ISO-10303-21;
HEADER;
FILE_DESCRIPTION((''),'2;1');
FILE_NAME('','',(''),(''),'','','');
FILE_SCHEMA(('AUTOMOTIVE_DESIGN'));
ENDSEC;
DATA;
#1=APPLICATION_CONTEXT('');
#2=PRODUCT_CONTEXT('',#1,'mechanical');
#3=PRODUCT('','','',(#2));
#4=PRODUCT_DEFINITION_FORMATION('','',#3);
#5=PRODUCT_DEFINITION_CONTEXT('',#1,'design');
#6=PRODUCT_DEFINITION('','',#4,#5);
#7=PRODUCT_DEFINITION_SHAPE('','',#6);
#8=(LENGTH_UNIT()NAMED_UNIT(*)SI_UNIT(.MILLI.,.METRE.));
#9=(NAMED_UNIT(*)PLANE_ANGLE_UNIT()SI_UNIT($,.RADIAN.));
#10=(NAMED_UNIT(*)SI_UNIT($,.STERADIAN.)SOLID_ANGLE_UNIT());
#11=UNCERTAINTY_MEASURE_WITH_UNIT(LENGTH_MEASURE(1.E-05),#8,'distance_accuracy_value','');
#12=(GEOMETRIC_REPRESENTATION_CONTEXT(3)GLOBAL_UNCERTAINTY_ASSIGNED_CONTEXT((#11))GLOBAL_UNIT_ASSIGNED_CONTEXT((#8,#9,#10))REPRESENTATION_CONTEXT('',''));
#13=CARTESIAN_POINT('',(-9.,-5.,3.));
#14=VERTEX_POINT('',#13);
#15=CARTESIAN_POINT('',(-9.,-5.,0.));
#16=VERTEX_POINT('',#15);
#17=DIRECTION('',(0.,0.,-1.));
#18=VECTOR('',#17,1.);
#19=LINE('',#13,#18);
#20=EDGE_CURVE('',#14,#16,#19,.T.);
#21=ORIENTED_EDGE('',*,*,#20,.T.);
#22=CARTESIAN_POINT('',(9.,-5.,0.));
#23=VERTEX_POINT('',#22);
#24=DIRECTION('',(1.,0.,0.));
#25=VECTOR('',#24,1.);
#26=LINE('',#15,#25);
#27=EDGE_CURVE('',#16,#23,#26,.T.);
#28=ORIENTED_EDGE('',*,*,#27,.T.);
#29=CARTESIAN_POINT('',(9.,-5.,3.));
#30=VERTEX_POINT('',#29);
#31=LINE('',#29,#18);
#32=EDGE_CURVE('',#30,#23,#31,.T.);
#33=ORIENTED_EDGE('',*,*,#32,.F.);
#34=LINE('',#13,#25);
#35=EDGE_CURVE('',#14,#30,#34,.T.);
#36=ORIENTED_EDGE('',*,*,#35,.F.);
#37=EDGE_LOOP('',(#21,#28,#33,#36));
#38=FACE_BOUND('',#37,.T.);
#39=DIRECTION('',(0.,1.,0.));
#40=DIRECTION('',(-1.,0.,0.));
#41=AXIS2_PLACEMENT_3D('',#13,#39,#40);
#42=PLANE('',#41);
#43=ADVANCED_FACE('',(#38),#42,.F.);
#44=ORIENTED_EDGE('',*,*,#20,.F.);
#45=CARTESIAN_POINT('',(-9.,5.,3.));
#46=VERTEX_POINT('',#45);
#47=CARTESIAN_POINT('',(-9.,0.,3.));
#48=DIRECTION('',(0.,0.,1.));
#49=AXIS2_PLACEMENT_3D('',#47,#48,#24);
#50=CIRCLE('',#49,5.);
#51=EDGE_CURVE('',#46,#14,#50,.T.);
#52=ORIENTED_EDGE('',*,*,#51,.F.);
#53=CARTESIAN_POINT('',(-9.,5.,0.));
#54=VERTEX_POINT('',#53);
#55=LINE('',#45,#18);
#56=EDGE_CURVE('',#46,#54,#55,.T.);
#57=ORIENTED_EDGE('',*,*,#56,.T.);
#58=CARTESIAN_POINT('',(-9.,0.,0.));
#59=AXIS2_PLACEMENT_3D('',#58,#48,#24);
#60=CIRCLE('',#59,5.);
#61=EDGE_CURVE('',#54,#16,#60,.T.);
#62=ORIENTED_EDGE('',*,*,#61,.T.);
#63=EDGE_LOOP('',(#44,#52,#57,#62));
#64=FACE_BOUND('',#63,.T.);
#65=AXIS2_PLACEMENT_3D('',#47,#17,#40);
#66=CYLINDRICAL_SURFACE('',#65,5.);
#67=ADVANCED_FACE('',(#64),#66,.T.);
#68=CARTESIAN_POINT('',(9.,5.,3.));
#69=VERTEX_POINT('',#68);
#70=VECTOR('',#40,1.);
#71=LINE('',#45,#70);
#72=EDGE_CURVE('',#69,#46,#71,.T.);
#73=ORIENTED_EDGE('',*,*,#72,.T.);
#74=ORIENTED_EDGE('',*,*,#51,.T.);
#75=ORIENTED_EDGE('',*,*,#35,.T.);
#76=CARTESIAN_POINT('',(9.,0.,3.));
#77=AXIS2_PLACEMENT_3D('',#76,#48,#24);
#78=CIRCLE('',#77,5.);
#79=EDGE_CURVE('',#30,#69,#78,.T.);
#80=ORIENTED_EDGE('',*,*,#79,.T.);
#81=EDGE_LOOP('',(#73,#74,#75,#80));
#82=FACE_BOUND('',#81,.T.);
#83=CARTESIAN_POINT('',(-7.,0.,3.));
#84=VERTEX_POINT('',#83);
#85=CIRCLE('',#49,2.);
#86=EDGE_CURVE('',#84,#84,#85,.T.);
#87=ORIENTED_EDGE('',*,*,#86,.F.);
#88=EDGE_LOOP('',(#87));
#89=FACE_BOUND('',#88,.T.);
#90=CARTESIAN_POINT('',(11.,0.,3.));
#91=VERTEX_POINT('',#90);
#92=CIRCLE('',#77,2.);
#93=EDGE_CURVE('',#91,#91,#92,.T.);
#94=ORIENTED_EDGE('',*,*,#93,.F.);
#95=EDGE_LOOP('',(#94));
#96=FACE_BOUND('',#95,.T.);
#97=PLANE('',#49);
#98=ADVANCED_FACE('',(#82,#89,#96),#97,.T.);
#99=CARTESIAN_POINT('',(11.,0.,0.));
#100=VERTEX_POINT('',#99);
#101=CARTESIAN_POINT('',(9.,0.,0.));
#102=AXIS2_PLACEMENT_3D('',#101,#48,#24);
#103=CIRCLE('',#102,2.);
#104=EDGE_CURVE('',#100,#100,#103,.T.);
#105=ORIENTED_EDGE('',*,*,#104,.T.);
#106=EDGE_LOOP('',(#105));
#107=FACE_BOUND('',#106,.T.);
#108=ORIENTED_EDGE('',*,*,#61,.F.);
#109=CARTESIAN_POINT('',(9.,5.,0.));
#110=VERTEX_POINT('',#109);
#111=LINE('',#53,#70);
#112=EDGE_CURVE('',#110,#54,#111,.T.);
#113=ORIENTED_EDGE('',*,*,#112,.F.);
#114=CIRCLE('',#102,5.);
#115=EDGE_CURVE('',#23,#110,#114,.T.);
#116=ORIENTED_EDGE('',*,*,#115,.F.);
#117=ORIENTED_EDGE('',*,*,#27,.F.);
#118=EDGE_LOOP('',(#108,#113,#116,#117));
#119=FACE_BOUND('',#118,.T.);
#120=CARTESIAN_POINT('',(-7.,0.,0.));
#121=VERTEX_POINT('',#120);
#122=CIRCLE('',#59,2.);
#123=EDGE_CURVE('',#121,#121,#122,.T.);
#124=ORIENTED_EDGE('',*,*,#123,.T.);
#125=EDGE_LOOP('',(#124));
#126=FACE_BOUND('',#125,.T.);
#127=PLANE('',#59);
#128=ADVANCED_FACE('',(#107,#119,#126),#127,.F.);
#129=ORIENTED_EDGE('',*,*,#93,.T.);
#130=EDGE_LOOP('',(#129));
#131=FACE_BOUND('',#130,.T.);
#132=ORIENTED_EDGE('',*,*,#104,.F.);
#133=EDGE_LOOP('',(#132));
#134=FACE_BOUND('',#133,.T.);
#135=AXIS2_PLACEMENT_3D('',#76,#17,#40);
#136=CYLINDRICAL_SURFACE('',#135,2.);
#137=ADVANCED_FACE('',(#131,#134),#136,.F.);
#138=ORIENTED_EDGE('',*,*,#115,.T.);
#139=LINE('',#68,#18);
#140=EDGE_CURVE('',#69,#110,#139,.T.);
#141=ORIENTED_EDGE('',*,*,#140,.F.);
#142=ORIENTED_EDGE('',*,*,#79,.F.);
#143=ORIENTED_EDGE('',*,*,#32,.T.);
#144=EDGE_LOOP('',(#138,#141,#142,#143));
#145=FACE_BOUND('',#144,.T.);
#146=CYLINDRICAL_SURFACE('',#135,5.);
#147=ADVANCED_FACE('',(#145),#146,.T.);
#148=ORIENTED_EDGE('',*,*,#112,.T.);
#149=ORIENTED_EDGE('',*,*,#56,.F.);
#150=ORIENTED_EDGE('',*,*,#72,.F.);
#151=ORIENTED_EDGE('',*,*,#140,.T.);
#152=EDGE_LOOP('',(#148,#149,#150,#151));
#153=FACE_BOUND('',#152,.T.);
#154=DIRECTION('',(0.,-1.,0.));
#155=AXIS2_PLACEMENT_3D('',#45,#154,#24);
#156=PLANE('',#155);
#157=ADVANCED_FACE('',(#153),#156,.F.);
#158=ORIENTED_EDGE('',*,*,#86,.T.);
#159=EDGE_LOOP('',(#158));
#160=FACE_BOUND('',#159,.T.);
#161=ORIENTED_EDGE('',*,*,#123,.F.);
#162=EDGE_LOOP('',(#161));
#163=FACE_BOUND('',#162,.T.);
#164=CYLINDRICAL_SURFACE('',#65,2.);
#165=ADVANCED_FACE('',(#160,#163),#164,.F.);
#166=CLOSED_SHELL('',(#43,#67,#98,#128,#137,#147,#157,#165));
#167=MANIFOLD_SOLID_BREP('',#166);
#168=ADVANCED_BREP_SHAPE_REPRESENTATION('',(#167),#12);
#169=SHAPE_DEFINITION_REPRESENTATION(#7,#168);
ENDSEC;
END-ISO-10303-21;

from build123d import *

# Parameters (mm, degrees)
SKETCH1_R           = 2
BOSS_EXTRUDE1_DEPTH = 3


with BuildPart() as part:
    # Sketch1 → Boss-Extrude1 (new body)
    with BuildSketch(Plane.XY):
        with BuildLine():
            Line((-9, 5), (9, 5))
            ThreePointArc((9, 5), (14, 0), (9, -5))
            Line((9, -5), (-9, -5))
            ThreePointArc((-9, -5), (-14, 0), (-9, 5))
        make_face()
        with Locations((-9, 0)):
            Circle(SKETCH1_R, mode=Mode.SUBTRACT)
        with Locations((9, 0)):
            Circle(SKETCH1_R, mode=Mode.SUBTRACT)
    extrude(amount=BOSS_EXTRUDE1_DEPTH)


solid = part.part
